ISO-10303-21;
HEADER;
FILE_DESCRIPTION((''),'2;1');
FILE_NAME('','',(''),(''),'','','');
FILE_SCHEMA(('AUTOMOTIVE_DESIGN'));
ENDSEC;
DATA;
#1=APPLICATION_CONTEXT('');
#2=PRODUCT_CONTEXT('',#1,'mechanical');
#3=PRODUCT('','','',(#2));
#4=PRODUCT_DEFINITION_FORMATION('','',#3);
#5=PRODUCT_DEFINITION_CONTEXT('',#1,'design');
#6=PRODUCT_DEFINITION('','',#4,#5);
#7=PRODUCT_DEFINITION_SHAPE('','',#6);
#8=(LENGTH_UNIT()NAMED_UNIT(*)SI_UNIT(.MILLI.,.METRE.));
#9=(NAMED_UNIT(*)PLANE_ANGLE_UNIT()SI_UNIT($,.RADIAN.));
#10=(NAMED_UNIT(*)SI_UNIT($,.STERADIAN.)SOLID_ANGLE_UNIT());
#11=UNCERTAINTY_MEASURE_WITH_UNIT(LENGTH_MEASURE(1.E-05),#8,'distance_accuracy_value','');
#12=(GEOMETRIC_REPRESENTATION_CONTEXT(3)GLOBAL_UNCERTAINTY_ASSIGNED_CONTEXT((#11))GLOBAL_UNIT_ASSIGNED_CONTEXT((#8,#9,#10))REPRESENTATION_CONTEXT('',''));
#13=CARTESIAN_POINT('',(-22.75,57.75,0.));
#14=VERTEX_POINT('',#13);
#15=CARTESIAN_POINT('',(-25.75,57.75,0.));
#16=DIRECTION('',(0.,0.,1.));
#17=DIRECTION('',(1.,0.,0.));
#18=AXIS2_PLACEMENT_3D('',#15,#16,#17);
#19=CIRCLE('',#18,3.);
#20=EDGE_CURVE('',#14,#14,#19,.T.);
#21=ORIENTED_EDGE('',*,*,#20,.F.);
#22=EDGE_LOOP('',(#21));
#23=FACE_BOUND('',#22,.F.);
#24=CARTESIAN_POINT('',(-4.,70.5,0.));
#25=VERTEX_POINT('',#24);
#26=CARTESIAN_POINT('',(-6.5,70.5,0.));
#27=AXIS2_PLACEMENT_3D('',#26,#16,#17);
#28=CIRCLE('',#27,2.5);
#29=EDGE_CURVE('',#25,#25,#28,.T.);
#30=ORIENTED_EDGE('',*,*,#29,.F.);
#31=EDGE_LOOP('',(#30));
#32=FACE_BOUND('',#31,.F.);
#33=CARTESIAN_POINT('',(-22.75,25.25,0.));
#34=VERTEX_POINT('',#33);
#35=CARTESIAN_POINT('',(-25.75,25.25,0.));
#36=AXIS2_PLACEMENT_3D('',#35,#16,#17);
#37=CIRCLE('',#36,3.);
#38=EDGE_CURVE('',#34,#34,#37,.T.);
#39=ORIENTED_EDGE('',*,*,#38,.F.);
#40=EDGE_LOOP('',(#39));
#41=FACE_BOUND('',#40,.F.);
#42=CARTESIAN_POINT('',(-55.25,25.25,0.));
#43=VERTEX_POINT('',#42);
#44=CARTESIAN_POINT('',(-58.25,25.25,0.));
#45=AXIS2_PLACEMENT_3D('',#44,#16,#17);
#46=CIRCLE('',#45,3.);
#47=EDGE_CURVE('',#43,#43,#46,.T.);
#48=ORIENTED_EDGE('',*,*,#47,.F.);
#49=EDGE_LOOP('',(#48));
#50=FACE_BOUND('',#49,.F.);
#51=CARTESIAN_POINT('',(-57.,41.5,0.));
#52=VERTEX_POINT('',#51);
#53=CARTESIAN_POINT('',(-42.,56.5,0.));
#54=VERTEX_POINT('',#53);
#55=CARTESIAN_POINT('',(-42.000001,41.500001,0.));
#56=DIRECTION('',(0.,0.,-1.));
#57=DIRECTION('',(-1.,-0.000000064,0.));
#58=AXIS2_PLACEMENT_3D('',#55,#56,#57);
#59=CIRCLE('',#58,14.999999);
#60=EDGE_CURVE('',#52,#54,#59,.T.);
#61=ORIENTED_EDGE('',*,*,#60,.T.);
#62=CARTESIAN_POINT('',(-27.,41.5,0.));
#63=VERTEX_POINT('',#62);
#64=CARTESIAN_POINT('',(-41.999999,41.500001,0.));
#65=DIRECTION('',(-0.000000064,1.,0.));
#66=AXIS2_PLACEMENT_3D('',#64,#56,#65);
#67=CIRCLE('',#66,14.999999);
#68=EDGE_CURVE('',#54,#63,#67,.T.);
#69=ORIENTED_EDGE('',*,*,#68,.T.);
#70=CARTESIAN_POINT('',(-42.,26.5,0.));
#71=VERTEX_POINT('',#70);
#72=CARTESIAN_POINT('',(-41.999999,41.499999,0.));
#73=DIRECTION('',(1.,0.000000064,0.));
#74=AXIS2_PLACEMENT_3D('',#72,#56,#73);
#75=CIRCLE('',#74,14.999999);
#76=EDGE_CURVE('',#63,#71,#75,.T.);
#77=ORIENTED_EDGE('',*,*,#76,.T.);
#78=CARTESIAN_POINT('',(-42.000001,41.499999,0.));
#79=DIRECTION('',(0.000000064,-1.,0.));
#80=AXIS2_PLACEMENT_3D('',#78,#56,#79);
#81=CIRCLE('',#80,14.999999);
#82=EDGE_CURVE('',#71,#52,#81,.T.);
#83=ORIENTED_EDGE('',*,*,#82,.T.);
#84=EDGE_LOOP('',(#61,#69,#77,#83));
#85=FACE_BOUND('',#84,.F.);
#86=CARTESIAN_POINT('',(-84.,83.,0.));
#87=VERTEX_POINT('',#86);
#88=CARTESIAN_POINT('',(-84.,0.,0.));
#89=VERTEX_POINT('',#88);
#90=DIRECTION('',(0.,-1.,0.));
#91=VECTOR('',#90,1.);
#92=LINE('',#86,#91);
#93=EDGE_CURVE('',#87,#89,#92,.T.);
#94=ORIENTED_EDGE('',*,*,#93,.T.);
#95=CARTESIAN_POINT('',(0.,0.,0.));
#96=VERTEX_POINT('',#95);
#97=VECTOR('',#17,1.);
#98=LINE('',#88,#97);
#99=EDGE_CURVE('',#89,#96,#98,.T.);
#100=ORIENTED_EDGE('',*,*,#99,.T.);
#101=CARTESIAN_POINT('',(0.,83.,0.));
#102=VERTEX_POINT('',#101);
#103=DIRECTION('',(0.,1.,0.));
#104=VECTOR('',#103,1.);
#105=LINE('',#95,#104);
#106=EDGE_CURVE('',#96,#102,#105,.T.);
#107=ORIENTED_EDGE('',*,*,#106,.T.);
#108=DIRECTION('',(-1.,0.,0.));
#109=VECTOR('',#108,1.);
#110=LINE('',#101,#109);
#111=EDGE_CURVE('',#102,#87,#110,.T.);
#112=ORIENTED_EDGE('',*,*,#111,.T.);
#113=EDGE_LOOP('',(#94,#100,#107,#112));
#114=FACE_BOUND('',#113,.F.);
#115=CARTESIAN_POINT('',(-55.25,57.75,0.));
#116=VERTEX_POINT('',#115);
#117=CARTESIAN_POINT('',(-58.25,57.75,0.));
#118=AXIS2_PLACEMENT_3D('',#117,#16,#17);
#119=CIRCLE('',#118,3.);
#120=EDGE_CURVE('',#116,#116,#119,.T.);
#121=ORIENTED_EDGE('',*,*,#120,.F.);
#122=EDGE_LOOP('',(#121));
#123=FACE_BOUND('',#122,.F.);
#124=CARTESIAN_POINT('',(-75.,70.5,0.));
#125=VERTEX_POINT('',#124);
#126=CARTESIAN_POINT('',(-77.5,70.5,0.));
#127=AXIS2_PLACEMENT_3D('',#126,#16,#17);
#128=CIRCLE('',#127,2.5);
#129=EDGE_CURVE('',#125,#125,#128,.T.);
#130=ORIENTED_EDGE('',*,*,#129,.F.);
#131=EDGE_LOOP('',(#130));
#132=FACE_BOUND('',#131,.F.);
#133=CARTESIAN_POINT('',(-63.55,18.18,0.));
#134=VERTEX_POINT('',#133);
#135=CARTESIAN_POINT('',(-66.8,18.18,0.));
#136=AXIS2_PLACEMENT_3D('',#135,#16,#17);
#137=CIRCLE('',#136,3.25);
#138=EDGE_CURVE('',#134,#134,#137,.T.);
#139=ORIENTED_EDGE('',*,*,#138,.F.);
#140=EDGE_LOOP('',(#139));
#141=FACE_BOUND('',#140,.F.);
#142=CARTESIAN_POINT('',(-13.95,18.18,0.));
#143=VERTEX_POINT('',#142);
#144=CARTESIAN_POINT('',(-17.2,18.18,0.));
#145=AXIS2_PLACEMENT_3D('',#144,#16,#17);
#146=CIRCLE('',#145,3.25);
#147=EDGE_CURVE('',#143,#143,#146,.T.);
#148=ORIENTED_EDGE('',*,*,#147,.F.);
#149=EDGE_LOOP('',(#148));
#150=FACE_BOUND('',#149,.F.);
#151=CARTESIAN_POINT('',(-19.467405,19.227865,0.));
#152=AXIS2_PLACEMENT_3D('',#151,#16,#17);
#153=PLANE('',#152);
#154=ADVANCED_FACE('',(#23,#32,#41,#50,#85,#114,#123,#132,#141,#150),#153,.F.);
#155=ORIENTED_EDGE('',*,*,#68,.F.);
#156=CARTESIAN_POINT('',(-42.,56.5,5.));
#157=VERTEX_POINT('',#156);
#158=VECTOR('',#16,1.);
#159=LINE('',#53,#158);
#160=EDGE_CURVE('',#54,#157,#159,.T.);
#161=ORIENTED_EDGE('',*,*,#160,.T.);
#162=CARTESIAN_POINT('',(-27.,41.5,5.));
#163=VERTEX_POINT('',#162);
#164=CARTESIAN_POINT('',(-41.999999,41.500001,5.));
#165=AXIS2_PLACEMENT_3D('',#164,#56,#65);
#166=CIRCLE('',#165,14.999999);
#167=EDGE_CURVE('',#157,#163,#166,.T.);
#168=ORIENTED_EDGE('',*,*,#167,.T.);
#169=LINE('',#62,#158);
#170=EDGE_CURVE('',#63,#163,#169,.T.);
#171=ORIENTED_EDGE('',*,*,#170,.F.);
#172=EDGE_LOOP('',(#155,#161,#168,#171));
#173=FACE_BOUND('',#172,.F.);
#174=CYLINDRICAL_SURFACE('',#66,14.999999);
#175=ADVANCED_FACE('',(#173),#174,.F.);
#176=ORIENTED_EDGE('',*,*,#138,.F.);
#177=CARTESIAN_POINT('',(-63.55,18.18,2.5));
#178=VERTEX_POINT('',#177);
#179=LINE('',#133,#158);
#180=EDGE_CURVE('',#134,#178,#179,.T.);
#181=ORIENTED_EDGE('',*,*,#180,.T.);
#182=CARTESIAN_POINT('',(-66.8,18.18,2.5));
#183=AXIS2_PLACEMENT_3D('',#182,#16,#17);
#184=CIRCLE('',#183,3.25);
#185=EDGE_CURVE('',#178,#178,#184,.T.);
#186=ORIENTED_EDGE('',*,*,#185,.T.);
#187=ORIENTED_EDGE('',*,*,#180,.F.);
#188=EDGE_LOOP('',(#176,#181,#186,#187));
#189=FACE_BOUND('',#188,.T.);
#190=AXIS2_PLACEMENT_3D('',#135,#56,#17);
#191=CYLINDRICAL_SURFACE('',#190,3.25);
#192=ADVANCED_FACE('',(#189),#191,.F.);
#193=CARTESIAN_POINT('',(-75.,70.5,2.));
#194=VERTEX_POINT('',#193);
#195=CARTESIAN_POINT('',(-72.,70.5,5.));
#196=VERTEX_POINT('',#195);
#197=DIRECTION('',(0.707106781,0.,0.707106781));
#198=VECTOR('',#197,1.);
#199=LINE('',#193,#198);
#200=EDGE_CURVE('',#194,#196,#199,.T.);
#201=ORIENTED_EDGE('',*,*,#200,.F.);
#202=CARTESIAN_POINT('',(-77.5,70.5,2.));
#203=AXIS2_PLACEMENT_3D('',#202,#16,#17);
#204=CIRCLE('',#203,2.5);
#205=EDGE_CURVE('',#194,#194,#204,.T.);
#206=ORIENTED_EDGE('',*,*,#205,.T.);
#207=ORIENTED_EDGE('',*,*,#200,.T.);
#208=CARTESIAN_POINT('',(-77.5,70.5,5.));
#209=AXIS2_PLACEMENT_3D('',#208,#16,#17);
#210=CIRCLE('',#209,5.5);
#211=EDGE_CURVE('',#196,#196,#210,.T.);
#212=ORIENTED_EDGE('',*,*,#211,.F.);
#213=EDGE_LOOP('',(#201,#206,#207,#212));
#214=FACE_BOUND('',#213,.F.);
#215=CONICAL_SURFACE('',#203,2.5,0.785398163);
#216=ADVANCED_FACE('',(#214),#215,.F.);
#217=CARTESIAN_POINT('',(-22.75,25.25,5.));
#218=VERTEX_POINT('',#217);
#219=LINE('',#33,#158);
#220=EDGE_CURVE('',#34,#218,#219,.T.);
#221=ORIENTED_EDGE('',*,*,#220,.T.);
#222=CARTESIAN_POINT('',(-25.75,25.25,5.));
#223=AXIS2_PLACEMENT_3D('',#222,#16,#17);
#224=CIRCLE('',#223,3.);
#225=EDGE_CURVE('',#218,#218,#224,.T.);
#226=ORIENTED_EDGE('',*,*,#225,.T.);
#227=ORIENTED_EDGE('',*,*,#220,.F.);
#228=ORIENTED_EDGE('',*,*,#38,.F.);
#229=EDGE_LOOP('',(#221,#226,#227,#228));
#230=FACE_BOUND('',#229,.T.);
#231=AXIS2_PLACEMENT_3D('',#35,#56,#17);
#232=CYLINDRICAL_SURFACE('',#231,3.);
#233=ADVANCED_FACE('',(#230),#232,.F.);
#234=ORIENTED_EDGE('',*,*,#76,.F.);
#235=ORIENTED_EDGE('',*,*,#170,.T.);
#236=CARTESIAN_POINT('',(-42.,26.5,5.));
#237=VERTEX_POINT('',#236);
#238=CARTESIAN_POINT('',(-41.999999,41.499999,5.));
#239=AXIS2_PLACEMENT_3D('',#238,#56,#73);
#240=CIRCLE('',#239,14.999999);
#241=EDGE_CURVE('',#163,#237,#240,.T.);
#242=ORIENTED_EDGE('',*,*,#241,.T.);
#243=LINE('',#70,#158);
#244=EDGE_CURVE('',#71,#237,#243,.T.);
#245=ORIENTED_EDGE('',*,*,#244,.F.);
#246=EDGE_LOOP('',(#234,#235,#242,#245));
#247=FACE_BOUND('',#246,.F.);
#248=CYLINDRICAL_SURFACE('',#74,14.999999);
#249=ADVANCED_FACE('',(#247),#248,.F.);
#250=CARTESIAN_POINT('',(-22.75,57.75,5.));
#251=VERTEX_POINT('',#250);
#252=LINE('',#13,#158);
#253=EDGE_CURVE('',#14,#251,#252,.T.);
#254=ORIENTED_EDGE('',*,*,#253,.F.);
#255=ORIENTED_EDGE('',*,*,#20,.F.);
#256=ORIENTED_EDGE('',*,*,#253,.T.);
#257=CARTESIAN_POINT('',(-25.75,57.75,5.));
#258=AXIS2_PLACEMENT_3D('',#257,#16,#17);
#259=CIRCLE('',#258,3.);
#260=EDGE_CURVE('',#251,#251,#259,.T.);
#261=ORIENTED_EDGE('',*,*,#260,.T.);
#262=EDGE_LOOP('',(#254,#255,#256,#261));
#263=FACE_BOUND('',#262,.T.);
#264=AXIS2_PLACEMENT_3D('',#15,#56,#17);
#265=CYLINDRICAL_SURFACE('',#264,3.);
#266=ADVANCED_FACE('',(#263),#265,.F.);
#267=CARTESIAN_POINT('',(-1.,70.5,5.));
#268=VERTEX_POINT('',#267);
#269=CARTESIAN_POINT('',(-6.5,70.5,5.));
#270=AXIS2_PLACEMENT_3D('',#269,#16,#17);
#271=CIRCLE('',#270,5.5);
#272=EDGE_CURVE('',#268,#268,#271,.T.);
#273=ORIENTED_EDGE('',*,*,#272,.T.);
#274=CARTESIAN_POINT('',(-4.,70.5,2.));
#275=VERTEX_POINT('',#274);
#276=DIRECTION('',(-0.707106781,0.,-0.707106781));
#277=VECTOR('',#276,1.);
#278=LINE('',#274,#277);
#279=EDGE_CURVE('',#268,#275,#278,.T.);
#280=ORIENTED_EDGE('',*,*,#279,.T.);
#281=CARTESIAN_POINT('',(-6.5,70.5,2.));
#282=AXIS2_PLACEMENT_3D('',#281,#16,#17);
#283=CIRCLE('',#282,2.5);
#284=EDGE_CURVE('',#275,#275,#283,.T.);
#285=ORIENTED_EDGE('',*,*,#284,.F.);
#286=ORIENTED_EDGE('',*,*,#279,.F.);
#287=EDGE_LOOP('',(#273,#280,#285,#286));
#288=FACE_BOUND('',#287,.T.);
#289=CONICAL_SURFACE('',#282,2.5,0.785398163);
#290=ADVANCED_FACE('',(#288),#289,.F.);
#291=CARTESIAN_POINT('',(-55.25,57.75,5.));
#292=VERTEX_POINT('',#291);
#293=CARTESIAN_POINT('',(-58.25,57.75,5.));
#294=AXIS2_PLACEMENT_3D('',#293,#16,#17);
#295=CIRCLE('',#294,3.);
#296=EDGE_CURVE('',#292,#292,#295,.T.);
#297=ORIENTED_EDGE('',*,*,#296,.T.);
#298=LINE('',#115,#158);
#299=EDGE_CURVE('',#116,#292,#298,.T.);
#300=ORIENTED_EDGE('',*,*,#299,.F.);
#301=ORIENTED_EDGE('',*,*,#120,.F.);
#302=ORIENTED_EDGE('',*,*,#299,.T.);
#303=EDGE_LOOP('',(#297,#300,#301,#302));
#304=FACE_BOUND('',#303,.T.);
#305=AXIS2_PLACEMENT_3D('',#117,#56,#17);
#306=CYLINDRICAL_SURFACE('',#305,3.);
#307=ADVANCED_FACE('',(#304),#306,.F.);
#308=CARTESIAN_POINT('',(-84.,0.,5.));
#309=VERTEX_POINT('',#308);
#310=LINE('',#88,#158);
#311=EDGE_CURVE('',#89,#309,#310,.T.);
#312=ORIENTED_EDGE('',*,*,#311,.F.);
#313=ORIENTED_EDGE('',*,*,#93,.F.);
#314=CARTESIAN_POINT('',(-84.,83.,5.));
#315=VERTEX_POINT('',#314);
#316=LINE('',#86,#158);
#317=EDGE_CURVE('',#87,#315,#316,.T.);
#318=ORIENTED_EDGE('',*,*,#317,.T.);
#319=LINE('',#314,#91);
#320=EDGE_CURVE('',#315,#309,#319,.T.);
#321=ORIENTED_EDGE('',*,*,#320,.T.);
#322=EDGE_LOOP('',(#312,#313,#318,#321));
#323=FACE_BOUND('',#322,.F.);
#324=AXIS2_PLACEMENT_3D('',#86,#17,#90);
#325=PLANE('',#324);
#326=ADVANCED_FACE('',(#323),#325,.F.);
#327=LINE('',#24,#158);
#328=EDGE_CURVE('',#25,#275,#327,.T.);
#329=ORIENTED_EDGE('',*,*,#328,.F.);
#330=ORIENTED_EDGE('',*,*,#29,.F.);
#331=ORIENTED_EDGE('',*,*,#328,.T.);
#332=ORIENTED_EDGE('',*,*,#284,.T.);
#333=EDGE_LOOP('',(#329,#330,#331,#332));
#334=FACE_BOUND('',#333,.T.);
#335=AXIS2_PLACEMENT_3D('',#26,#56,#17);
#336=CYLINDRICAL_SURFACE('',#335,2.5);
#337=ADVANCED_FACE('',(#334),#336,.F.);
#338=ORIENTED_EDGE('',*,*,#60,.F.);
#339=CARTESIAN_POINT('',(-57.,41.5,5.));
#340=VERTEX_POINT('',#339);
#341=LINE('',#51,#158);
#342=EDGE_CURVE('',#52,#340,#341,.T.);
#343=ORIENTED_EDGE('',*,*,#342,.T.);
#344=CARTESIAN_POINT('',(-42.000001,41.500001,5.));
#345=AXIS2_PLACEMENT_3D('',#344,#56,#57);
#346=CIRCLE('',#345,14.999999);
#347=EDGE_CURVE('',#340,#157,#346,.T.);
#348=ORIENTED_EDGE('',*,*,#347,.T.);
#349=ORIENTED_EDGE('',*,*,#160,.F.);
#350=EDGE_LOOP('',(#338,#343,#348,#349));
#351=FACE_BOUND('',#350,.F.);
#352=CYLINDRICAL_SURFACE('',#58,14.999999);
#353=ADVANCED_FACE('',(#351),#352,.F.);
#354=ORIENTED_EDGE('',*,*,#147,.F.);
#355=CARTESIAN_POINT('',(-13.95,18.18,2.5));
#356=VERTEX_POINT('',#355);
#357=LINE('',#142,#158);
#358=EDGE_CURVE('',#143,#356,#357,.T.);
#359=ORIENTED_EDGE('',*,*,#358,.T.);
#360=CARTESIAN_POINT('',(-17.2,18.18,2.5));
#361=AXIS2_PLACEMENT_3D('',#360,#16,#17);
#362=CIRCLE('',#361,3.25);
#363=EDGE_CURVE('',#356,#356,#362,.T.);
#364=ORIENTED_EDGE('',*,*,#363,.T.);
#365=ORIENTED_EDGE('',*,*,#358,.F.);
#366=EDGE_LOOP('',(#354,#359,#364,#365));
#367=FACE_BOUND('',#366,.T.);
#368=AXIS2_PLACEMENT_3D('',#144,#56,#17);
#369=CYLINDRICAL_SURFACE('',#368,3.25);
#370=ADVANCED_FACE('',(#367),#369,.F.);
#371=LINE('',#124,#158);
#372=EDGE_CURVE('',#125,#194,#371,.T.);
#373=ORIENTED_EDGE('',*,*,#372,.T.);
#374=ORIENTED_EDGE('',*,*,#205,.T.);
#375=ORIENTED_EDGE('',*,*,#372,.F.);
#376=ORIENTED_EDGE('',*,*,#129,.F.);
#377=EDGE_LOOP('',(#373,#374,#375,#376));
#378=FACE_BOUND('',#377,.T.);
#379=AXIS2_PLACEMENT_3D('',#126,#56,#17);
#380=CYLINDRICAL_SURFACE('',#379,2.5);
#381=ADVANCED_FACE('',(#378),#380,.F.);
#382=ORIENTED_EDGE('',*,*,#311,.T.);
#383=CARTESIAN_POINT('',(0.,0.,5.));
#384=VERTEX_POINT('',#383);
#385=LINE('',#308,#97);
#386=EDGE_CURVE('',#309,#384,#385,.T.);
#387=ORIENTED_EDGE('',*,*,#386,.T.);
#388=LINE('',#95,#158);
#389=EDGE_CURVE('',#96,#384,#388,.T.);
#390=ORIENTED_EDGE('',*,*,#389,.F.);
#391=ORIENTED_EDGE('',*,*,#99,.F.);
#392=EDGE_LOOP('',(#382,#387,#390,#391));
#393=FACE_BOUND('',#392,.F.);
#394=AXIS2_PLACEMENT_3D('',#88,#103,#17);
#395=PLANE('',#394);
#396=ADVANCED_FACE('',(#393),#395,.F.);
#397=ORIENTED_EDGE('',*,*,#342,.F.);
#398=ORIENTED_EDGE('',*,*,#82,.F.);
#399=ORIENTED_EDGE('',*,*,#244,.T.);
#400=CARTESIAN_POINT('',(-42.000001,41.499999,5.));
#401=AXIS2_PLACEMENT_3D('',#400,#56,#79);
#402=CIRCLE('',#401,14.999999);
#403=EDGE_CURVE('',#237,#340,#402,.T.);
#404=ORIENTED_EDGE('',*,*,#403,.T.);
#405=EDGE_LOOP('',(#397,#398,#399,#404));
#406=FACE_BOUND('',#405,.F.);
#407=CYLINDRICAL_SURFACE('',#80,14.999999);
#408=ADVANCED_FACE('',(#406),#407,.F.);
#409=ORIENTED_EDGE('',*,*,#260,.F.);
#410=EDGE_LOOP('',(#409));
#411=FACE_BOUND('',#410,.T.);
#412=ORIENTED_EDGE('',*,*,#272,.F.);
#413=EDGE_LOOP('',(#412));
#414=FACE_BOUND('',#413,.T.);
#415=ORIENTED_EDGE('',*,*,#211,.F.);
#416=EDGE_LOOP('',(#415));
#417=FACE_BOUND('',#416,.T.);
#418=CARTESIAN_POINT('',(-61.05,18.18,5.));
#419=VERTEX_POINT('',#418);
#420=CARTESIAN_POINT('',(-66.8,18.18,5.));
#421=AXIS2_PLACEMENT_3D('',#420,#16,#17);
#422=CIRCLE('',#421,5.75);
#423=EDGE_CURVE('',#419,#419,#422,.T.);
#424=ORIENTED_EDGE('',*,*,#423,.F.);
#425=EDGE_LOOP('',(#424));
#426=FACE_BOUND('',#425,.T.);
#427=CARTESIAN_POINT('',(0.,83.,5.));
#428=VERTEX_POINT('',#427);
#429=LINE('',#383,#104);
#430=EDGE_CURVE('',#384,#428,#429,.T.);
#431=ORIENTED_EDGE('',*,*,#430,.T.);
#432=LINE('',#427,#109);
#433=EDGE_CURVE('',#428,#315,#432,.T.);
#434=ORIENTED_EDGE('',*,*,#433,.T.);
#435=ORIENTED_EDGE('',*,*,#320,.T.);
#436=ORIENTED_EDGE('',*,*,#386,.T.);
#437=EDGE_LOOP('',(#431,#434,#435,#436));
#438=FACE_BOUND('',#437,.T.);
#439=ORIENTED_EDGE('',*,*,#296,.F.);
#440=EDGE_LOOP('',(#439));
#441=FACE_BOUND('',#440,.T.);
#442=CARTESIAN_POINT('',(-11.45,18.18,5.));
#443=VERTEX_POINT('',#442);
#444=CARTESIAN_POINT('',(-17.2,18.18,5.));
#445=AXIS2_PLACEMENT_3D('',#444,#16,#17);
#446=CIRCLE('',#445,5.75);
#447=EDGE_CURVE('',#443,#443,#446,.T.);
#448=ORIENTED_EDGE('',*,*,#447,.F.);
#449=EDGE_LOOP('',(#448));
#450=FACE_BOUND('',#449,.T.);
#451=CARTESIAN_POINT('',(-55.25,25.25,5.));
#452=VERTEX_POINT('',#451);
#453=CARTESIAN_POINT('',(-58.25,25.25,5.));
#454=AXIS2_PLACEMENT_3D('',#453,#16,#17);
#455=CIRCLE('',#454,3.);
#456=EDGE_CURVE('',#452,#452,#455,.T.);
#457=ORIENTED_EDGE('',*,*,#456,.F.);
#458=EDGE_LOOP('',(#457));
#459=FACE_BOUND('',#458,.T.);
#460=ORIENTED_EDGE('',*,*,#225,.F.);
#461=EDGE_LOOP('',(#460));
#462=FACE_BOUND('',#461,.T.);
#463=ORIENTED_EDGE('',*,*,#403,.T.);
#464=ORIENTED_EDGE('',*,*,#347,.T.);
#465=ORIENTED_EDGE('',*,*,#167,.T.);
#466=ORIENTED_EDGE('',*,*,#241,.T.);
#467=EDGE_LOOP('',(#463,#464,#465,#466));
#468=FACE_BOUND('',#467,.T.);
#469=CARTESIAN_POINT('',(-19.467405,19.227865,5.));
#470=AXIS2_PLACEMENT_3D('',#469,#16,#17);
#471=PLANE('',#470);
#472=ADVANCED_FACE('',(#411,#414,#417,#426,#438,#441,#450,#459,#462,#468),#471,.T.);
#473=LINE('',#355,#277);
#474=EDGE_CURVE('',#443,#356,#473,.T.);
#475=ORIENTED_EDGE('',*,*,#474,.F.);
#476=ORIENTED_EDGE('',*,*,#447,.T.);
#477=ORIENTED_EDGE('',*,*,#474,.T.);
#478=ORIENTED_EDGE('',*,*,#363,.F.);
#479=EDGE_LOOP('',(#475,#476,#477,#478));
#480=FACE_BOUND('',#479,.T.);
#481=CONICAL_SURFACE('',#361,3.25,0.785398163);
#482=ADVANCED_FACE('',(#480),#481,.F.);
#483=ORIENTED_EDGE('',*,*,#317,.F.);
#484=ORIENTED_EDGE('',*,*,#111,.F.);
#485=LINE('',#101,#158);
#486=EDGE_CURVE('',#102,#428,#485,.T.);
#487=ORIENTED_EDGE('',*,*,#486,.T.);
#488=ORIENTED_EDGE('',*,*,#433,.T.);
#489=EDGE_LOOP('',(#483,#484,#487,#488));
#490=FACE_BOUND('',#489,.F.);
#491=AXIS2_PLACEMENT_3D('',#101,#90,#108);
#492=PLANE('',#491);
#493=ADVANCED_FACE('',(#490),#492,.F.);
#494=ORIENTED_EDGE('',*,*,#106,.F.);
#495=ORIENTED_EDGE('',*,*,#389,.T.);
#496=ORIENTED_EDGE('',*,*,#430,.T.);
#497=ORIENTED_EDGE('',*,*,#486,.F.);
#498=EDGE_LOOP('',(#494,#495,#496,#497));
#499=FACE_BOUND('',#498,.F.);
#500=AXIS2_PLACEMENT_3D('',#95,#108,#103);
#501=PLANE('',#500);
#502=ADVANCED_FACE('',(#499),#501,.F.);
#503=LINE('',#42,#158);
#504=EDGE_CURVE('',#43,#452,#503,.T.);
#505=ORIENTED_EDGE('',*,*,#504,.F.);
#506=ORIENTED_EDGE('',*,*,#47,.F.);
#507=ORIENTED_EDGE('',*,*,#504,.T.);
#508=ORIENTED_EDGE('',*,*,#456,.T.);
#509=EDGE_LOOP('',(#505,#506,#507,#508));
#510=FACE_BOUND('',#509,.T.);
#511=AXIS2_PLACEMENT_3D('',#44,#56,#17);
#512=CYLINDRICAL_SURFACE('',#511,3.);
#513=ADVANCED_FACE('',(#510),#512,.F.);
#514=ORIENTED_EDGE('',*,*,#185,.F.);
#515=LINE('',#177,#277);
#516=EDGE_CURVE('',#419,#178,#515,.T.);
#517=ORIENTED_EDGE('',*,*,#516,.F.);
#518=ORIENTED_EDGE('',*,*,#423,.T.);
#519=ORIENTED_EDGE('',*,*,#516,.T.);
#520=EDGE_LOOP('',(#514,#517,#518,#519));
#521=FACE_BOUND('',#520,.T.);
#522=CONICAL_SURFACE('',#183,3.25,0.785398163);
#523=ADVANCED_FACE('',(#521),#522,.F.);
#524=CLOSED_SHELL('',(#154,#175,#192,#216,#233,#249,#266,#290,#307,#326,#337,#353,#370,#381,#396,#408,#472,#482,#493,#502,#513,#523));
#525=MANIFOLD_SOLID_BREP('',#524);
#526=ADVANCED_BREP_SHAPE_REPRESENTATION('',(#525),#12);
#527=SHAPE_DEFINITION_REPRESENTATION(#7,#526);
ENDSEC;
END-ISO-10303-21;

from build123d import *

# Parameters (mm, degrees)
F0_R     = 3.25
F0_R_2   = 3
F0_R_3   = 2.5
F1_DEPTH = 5
F2_SIZE  = 3
F3_SIZE  = 3
F4_SIZE  = 2.5
F5_SIZE  = 2.5


with BuildPart() as f1:
    # F0 (on Top) → F1 (new body)
    with BuildSketch(Plane.XY):
        with BuildLine():
            Line((-42, 0), (0, 0))
            Line((0, 0), (0, 41.5))
            Line((0, 41.5), (-27, 41.5))
            ThreePointArc((-27, 41.5), (-31.393398, 30.893398), (-42, 26.5))
            Line((-42, 26.5), (-42, 0))
        make_face()
        with Locations((-17.2, 18.18)):
            Circle(F0_R, mode=Mode.SUBTRACT)
        with Locations((-25.75, 25.25)):
            Circle(F0_R_2, mode=Mode.SUBTRACT)
        with BuildLine():
            Line((-84, 0), (-42, 0))
            Line((-42, 0), (-42, 26.5))
            ThreePointArc((-42, 26.5), (-52.606602, 30.893398), (-57, 41.5))
            Line((-57, 41.5), (-84, 41.5))
            Line((-84, 41.5), (-84, 0))
        make_face()
        with Locations((-66.8, 18.18)):
            Circle(F0_R, mode=Mode.SUBTRACT)
        with Locations((-58.25, 25.25)):
            Circle(F0_R_2, mode=Mode.SUBTRACT)
        with BuildLine():
            Line((-27, 41.5), (0, 41.5))
            Line((0, 41.5), (0, 83))
            Line((0, 83), (-42, 83))
            Line((-42, 83), (-42, 56.5))
            ThreePointArc((-42, 56.5), (-31.393398, 52.106602), (-27, 41.5))
        make_face()
        with Locations((-25.75, 57.75)):
            Circle(F0_R_2, mode=Mode.SUBTRACT)
        with Locations((-6.5, 70.5)):
            Circle(F0_R_3, mode=Mode.SUBTRACT)
        with BuildLine():
            Line((-84, 83), (-84, 41.5))
            Line((-84, 41.5), (-57, 41.5))
            ThreePointArc((-57, 41.5), (-52.606602, 52.106602), (-42, 56.5))
            Line((-42, 56.5), (-42, 83))
            Line((-42, 83), (-84, 83))
        make_face()
        with Locations((-58.25, 57.75)):
            Circle(F0_R_2, mode=Mode.SUBTRACT)
        with Locations((-77.5, 70.5)):
            Circle(F0_R_3, mode=Mode.SUBTRACT)
    extrude(amount=F1_DEPTH)

    # F2
    f2_edges = [f1.edges().sort_by_distance(p)[0] for p in [
        (-80, 70.5, 5),
    ]]
    chamfer(f2_edges, length=F2_SIZE)

    # F3
    f3_edges = [f1.edges().sort_by_distance(p)[0] for p in [
        (-9, 70.5, 5),
    ]]
    chamfer(f3_edges, length=F3_SIZE)

    # F4
    f4_edges = [f1.edges().sort_by_distance(p)[0] for p in [
        (-70.05, 18.18, 5),
    ]]
    chamfer(f4_edges, length=F4_SIZE)

    # F5
    f5_edges = [f1.edges().sort_by_distance(p)[0] for p in [
        (-20.45, 18.18, 5),
    ]]
    chamfer(f5_edges, length=F5_SIZE)


solid = f1.part
